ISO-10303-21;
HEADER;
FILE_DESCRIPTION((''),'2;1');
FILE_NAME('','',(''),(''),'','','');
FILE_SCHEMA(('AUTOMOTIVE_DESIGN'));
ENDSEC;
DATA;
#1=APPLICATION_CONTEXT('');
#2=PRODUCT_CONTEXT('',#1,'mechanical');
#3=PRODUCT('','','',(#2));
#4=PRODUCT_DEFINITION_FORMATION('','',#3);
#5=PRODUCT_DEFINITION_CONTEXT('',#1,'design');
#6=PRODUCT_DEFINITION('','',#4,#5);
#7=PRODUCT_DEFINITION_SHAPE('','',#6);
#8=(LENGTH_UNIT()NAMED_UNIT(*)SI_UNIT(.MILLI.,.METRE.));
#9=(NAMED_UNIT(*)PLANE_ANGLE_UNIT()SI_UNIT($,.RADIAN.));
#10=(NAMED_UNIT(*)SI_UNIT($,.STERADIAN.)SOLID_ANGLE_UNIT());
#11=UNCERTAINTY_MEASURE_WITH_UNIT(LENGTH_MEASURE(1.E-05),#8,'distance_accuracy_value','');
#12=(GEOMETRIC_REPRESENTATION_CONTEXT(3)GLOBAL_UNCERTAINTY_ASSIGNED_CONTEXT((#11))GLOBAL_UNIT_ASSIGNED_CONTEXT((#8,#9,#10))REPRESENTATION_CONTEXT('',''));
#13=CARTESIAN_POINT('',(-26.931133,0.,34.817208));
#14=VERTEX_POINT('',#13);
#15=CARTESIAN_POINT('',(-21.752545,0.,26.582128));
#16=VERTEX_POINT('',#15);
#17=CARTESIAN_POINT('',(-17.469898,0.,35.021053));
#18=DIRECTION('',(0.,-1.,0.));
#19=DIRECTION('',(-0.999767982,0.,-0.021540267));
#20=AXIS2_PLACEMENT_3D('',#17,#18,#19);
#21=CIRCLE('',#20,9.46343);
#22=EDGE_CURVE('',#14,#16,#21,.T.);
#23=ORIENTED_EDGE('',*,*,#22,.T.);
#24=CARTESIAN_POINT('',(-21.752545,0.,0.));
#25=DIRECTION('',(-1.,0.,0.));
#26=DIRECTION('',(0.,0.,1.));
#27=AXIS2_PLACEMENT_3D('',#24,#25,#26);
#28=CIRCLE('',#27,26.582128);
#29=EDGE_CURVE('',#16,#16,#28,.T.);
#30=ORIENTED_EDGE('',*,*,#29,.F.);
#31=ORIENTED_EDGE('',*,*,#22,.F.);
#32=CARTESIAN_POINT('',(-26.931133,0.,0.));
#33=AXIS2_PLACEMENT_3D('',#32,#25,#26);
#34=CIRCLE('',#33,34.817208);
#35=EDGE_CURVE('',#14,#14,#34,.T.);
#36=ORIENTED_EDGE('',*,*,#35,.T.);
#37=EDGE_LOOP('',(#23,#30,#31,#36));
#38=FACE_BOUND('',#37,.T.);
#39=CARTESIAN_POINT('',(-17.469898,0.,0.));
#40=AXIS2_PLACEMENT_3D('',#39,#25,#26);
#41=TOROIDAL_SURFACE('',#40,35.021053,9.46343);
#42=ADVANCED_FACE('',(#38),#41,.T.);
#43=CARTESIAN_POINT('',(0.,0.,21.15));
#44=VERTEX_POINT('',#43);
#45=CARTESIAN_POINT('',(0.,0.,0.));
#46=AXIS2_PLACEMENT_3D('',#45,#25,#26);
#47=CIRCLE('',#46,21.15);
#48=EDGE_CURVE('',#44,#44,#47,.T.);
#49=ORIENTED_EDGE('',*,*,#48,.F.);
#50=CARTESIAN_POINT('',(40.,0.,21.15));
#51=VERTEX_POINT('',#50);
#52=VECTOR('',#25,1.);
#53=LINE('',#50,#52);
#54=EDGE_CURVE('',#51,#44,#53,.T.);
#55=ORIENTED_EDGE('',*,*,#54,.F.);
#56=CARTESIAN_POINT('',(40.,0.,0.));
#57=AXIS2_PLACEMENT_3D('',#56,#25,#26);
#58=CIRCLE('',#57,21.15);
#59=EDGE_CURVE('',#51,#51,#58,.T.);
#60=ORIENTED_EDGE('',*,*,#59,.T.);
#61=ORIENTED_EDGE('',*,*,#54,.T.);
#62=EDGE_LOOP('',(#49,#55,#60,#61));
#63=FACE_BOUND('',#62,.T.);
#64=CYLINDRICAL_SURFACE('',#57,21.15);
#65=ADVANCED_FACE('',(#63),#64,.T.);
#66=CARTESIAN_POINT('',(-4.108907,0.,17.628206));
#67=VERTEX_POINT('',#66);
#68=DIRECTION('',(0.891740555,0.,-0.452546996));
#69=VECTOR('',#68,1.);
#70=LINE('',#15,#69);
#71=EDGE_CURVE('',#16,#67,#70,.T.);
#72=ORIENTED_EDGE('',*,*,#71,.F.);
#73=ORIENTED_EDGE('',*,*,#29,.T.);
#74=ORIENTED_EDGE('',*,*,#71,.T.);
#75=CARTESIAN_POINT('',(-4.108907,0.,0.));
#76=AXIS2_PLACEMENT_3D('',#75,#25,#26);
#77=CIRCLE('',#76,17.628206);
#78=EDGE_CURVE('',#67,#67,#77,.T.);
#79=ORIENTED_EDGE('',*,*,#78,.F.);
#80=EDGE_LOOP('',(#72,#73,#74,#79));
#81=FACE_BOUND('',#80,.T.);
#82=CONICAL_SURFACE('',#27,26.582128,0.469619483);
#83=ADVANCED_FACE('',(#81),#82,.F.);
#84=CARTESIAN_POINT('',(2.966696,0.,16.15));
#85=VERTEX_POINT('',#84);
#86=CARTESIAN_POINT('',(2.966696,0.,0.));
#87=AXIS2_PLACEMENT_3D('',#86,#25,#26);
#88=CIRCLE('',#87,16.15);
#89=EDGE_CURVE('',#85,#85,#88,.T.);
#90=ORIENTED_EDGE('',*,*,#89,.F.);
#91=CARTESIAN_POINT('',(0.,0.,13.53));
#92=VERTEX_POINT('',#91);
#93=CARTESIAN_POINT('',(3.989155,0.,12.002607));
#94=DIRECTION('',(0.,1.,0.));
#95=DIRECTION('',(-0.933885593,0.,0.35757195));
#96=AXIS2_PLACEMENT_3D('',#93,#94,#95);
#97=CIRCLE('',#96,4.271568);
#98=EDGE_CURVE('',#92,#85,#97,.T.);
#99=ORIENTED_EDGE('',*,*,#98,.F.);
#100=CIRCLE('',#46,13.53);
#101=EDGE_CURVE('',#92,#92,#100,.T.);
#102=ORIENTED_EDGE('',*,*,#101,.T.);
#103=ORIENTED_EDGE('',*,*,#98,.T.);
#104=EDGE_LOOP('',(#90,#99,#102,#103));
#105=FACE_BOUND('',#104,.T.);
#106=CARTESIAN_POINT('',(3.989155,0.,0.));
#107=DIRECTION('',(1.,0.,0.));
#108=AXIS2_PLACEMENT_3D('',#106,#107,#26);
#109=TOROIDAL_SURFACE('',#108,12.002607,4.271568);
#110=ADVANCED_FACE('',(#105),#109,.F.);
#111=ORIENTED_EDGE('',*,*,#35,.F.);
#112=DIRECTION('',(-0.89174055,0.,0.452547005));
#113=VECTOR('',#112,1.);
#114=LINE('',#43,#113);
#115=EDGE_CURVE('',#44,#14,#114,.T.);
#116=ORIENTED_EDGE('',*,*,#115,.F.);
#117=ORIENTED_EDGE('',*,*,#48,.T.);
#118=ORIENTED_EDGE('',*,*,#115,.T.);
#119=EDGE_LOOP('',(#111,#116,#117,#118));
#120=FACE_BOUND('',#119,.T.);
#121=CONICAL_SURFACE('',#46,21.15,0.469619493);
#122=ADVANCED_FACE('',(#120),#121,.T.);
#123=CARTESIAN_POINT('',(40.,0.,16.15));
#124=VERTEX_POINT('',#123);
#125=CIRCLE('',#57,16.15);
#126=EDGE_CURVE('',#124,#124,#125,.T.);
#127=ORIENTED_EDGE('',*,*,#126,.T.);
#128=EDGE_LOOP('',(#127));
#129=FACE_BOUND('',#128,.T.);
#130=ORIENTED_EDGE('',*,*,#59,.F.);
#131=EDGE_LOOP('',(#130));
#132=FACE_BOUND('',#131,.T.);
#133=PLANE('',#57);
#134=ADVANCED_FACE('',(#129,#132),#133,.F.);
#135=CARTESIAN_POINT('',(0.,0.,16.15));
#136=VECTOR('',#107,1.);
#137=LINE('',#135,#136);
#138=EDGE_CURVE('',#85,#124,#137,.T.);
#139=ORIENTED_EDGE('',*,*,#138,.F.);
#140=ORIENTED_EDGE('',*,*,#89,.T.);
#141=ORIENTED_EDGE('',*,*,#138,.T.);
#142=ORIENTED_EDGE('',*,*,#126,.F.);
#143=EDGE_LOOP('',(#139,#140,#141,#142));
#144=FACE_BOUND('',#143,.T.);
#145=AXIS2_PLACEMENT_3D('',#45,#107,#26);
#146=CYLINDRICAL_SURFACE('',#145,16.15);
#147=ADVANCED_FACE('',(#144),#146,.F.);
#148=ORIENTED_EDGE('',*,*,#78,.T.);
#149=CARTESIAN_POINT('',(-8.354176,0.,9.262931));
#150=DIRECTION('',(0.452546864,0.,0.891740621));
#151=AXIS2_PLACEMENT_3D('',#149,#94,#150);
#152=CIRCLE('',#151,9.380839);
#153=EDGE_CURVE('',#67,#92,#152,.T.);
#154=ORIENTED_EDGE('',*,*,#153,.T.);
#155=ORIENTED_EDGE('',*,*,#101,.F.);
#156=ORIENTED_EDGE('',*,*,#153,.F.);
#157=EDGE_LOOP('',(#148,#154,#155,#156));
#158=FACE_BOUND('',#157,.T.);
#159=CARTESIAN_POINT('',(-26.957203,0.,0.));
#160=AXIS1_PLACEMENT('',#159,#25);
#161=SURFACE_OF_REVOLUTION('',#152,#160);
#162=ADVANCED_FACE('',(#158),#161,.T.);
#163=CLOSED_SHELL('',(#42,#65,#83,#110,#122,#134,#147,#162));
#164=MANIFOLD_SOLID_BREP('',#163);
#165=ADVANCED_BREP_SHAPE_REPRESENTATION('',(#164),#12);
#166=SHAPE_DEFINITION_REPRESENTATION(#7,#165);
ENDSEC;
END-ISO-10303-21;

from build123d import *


with BuildPart() as f1:
    # F0 (on Front) → F1 (revolve)
    with BuildSketch(Plane.XZ):
        with BuildLine():
            Line((2.966696, 16.15), (40, 16.15))
            Line((40, 16.15), (40, 21.15))
            Line((40, 21.15), (0, 21.15))
            Line((0, 21.15), (-26.931133, 34.817208))
            ThreePointArc((-26.931133, 34.817208), (-25.480997, 29.983314), (-21.752545, 26.582128))
            Line((-21.752545, 26.582128), (-4.108907, 17.628206))
            ThreePointArc((-4.108907, 17.628206), (-1.729576, 15.904829), (0, 13.53))
            Line((0, 13.53), (0, 16.15))
            Line((0, 16.15), (2.966696, 16.15))
        make_face()
        with BuildLine():
            ThreePointArc((0, 13.53), (1.161582, 15.204344), (2.966696, 16.15))
            Line((2.966696, 16.15), (0, 16.15))
            Line((0, 16.15), (0, 13.53))
        make_face()
    revolve(axis=Axis((-26.957203, 0, 0), (-1, 0, 0)))


solid = f1.part
